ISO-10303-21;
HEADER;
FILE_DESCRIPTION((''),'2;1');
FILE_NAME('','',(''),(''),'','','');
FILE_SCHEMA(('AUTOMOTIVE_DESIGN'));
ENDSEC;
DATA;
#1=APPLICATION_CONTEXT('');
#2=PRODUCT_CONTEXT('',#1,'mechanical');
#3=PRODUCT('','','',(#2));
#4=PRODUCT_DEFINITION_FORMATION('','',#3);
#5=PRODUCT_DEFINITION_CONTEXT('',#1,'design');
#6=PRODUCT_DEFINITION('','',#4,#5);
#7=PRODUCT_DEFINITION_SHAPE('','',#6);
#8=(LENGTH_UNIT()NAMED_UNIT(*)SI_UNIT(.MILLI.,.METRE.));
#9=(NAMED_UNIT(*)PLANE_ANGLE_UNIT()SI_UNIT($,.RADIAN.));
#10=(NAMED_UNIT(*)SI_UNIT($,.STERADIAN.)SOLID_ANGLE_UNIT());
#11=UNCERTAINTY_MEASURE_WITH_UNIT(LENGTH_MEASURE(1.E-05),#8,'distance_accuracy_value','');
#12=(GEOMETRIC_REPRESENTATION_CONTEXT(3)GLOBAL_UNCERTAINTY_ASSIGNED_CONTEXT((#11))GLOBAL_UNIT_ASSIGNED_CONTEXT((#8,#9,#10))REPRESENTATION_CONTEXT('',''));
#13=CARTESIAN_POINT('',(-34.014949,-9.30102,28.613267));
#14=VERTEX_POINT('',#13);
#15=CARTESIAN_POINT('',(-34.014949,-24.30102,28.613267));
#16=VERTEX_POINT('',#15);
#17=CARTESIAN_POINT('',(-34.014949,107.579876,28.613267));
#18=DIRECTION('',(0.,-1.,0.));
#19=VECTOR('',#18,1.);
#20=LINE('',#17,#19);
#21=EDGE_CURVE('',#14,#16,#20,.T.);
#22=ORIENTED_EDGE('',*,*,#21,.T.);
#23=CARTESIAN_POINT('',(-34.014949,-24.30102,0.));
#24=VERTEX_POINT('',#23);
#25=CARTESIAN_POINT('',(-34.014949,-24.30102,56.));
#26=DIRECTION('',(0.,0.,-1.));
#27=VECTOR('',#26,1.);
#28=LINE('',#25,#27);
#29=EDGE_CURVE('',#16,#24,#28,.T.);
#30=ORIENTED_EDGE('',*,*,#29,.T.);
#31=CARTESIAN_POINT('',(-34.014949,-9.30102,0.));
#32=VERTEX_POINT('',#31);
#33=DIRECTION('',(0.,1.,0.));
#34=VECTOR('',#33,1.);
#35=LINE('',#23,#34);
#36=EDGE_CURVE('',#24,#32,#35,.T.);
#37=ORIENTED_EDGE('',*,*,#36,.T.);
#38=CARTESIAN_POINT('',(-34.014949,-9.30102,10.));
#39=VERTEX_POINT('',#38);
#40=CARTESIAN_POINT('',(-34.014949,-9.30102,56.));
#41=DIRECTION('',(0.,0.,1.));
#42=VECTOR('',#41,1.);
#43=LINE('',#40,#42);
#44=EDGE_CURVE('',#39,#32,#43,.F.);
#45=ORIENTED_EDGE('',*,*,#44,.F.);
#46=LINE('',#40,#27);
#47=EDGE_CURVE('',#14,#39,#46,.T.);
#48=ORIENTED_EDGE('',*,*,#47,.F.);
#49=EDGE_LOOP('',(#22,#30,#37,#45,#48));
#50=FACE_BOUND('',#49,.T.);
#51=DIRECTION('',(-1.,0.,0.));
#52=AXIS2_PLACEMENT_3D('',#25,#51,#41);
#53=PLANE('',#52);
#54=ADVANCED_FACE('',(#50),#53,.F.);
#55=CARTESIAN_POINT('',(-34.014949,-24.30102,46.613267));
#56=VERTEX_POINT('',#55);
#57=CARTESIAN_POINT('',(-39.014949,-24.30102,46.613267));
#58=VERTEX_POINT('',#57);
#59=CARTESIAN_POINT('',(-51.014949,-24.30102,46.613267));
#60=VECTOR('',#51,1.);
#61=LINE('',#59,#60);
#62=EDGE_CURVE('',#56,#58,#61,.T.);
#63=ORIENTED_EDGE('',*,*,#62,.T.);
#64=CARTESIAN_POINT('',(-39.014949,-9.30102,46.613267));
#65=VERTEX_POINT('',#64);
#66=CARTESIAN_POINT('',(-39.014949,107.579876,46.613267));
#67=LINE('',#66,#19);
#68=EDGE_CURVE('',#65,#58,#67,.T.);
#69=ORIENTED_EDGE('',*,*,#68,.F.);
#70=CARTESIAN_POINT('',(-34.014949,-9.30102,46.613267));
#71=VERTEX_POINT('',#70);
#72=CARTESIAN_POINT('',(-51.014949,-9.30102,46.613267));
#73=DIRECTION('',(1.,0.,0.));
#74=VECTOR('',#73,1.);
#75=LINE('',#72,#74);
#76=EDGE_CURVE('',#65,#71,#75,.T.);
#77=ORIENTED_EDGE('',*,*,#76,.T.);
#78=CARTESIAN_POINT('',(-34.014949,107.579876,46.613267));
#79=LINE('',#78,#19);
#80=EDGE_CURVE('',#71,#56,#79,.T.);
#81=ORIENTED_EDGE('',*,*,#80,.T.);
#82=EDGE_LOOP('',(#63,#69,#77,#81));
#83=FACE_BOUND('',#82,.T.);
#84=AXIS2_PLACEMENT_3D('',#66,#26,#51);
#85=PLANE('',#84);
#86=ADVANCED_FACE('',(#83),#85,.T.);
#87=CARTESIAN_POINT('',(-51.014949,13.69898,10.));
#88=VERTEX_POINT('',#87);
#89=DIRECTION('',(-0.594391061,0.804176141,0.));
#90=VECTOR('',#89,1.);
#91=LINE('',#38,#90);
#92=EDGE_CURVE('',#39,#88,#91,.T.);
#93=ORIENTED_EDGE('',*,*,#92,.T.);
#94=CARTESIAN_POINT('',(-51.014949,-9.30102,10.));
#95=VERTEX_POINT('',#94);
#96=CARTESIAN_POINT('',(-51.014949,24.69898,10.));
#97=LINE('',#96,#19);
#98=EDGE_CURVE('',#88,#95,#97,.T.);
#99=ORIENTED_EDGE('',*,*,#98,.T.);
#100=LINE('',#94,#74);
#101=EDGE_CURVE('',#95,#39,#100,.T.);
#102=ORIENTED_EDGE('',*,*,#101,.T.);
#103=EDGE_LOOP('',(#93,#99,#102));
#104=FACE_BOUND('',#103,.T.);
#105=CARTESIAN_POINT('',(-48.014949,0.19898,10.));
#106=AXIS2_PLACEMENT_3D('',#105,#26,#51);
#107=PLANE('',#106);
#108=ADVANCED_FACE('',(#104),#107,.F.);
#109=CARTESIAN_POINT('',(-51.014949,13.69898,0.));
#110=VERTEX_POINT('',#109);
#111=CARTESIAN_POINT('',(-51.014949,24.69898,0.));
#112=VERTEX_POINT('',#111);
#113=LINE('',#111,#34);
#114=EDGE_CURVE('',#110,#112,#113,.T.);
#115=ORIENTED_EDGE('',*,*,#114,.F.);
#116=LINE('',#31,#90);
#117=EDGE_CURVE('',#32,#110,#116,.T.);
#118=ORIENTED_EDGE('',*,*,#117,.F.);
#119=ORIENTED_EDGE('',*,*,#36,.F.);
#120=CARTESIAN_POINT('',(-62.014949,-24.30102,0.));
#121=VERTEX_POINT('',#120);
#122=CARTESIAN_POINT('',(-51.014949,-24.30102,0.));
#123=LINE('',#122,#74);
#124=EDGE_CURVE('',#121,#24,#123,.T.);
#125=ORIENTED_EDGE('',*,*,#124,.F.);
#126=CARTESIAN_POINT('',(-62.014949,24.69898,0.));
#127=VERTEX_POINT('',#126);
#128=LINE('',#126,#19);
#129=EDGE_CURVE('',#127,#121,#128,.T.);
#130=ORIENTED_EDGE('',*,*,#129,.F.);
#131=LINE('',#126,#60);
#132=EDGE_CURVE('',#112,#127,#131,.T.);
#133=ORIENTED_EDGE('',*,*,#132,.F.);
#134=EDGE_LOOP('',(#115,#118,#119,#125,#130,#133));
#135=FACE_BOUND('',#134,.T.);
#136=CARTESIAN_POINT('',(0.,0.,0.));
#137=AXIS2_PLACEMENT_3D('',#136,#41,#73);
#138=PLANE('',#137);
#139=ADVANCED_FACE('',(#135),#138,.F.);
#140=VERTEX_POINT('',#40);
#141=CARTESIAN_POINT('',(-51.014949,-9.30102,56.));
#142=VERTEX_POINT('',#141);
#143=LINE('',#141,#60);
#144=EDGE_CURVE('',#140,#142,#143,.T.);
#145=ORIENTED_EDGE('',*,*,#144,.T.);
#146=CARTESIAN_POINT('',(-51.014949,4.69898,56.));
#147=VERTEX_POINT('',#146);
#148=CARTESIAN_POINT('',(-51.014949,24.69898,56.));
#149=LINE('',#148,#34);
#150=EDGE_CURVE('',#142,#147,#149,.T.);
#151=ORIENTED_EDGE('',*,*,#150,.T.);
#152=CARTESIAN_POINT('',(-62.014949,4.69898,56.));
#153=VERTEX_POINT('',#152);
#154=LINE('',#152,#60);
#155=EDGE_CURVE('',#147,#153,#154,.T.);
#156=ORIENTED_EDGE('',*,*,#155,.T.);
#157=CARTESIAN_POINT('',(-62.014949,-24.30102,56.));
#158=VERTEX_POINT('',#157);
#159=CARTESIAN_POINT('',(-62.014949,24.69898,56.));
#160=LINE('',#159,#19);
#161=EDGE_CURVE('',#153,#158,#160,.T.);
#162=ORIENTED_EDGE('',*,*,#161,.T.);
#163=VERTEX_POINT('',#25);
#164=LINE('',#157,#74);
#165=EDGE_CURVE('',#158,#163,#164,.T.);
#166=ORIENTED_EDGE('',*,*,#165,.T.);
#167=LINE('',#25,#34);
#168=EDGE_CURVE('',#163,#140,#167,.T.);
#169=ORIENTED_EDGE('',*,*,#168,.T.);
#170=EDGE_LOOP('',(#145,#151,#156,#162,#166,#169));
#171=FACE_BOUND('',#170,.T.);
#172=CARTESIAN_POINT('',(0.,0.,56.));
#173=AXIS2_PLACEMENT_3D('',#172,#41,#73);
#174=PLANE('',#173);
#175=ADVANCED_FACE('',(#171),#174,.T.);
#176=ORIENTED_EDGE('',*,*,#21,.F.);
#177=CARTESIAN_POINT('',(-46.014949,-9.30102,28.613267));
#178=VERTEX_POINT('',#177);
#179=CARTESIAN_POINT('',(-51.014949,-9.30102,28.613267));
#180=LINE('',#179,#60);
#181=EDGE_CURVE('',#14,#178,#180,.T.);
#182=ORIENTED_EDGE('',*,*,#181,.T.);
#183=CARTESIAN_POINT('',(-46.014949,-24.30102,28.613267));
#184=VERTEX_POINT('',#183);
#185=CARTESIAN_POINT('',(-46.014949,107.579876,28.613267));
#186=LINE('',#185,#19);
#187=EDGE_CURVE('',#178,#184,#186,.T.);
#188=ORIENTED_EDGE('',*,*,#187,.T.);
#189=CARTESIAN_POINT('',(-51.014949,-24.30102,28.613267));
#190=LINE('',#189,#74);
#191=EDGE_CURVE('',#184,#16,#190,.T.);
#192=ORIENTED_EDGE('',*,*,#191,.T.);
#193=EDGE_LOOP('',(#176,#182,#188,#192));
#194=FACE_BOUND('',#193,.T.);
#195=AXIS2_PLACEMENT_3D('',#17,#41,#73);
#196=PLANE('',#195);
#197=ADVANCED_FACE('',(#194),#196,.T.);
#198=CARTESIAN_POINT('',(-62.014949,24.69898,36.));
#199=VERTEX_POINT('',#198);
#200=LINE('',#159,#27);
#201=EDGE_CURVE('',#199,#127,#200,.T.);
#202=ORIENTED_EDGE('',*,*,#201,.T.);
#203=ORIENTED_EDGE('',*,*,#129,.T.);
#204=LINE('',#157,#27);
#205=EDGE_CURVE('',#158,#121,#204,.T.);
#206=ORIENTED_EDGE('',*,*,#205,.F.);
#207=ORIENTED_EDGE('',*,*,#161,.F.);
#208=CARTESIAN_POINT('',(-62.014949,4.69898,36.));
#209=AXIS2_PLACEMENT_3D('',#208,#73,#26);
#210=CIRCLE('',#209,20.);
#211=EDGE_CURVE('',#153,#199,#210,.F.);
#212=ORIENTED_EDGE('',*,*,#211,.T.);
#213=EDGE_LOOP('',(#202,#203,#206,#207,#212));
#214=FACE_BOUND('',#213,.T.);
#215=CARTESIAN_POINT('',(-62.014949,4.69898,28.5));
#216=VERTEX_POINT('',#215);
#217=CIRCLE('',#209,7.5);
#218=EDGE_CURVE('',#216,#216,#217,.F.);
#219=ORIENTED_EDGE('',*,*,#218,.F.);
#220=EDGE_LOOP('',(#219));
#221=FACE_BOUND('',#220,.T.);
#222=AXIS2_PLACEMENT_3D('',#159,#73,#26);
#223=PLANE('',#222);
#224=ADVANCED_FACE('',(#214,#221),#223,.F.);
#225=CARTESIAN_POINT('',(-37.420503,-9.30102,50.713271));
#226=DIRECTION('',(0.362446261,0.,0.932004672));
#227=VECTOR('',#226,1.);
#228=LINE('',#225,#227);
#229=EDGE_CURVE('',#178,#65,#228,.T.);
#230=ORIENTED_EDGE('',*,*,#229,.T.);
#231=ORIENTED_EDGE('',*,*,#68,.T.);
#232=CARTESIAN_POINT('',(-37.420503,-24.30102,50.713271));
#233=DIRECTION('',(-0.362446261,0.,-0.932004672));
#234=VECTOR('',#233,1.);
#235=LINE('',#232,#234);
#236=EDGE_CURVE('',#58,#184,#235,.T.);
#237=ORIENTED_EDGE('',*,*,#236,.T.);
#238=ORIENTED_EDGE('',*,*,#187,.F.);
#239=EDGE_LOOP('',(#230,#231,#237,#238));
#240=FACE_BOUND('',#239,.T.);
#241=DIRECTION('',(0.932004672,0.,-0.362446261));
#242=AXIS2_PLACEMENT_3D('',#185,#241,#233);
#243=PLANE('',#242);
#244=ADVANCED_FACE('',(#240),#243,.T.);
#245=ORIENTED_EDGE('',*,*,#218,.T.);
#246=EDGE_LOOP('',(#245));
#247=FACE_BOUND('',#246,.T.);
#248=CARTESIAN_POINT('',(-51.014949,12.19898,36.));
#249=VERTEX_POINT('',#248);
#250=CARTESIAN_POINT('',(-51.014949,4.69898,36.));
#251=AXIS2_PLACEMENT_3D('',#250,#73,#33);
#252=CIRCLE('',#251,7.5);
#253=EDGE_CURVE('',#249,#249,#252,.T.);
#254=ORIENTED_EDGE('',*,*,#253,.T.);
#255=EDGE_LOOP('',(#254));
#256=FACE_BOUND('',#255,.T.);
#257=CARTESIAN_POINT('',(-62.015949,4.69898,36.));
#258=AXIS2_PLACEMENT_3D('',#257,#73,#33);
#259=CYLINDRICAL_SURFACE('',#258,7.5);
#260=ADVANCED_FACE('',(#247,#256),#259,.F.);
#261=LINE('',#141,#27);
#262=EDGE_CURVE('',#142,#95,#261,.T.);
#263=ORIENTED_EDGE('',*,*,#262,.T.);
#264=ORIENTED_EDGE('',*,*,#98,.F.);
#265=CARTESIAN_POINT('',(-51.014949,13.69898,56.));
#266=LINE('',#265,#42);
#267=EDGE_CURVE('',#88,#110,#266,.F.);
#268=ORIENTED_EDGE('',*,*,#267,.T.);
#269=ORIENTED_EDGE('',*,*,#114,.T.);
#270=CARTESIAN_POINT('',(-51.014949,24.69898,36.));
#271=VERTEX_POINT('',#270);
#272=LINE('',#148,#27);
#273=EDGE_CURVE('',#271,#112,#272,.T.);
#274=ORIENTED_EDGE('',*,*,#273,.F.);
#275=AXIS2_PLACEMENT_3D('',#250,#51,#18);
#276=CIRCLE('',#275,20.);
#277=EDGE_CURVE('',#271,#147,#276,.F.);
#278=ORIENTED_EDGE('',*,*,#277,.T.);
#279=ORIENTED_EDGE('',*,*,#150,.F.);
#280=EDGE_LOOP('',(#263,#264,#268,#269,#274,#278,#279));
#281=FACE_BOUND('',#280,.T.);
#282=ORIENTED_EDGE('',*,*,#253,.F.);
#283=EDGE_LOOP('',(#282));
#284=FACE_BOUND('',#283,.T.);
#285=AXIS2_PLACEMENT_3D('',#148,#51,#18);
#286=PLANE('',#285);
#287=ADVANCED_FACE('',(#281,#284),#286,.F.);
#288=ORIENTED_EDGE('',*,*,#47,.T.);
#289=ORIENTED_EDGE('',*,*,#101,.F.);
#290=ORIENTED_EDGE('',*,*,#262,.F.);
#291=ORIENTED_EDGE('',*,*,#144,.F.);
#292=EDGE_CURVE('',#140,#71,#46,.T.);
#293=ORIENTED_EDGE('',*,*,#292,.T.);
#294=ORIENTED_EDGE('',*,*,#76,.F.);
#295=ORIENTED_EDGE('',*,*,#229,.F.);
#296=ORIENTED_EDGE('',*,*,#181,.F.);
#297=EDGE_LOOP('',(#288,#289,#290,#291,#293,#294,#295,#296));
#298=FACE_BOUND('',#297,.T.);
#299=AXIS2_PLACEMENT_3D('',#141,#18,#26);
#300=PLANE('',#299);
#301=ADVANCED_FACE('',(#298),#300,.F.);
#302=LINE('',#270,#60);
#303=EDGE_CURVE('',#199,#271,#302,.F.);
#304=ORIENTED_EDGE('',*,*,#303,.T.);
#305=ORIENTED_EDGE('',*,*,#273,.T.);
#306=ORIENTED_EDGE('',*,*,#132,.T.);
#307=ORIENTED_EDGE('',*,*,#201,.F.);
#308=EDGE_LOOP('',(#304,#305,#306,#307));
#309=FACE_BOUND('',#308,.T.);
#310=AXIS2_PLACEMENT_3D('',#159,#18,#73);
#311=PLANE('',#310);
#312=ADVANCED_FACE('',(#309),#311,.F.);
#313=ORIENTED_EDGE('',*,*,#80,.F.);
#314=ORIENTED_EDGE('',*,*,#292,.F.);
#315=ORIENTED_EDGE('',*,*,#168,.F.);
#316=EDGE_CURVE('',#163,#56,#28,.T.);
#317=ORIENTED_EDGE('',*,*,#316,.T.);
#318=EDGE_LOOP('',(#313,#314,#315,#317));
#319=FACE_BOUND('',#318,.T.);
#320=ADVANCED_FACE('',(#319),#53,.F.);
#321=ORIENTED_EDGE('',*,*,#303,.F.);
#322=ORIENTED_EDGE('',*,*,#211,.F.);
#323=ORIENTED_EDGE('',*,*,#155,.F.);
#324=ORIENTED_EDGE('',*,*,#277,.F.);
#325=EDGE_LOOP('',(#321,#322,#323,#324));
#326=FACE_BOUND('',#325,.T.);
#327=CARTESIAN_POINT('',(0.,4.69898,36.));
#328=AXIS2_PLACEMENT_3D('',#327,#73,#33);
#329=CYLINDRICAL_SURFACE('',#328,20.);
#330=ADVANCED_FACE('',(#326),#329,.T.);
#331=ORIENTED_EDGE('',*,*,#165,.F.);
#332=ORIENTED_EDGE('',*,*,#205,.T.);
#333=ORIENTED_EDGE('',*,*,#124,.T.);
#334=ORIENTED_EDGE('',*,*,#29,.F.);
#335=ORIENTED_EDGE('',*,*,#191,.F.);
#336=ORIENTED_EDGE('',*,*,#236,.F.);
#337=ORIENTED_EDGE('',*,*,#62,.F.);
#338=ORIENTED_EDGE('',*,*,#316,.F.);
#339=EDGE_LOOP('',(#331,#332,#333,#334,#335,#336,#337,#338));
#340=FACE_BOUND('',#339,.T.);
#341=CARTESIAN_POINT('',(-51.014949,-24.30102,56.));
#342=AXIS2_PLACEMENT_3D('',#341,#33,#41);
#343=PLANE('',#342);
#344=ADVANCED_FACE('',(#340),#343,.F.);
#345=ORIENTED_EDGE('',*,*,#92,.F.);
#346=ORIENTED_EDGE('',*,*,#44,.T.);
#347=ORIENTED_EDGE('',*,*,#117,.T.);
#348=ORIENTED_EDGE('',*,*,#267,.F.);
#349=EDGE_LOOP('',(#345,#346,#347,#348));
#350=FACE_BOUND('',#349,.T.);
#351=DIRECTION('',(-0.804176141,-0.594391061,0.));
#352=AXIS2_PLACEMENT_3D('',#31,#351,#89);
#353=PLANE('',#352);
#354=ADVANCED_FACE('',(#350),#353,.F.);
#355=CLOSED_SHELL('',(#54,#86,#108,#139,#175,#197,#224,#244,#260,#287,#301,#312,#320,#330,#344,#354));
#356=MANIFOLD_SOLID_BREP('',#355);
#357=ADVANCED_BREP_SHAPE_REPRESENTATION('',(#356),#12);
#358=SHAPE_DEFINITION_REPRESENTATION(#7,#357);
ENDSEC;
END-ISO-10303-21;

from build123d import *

# Parameters (mm, degrees)
Y_KSEKLIK_EKSTR_ZYON1_DEPTH = 56
RADYUS1_R                   = 20
KES_EKSTR_ZYON1_REACH       = 65.522
IZIM2_R                     = 7.5
KES_EKSTR_ZYON2_DEPTH       = 91.210054598
KES_EKSTR_ZYON2_DEPTH_BACK  = 91.210054598
FEDER1_REACH                = 89.131
IZIM4_WALL_W                = 204.86364479
IZIM4_WALL_H                = 10


with BuildPart() as part:
    # Çizim1 → Yükseklik-Ekstrüzyon1 (new body)
    with BuildSketch(Plane.XY):
        Polygon((-62.014949412, 24.698979592), (-51.014949412, 24.698979592), (-51.014949412, -9.301020408), (-34.014949412, -9.301020408), (-34.014949412, -24.301020408), (-51.014949412, -24.301020408), (-62.014949412, -24.301020408), align=None)
    extrude(amount=Y_KSEKLIK_EKSTR_ZYON1_DEPTH)

    # Radyus1
    radyus1_edges = [part.edges().sort_by_distance(p)[0] for p in [
        (-56.514949412, 24.698979592, 56),
    ]]
    fillet(radyus1_edges, radius=RADYUS1_R)

    # Çizim2 → Kes-Ekstrüzyon1 (cut, up to next)
    with BuildSketch(Plane(origin=(-51.014949412, 0, 0), x_dir=(0, 0, -1), z_dir=(1, 0, 0)), mode=Mode.PRIVATE) as kes_ekstr_zyon1_sk1:
        with Locations(Location((-36, 4.698979592, 0), (0, 0, 90))):
            Circle(IZIM2_R)
    kes_ekstr_zyon1_tool1 = extrude(kes_ekstr_zyon1_sk1.sketch, amount=-KES_EKSTR_ZYON1_REACH, mode=Mode.PRIVATE) & part.part
    add(kes_ekstr_zyon1_tool1.solids().sort_by_distance((-51.014949, 4.69898, 36))[0], mode=Mode.SUBTRACT)

    # Çizim3 → Kes-Ekstrüzyon2 (cut, two sides: drawn at the far end of the back side and taken through both)
    with BuildSketch(Plane(origin=(0, -9.301020408, 0), x_dir=(1, 0, 0), z_dir=(0, 1, 0)).offset(-KES_EKSTR_ZYON2_DEPTH_BACK)):
        Polygon((84.737919905, -28.613266847), (-34.014949412, -28.613266847), (-46.014949412, -28.613266847), (-39.014949412, -46.613266847), (-34.014949412, -46.613266847), (84.737919905, -46.613266847), (322.24365854, -46.613266847), (322.24365854, -28.613266847), align=None)
    extrude(amount=KES_EKSTR_ZYON2_DEPTH + KES_EKSTR_ZYON2_DEPTH_BACK, mode=Mode.SUBTRACT)

    # Çizim4 wall → Feder1 (add, up to next)
    with BuildSketch(Plane(origin=(-42.514949412, 2.198979592, 0), x_dir=(-0.594391061084, 0.804176141466, 0), z_dir=(0.804176141466, 0.594391061084, 0)), mode=Mode.PRIVATE) as feder1_sk1:
        with Locations((0, 5)):
            Rectangle(IZIM4_WALL_W, IZIM4_WALL_H)
    feder1_tool1 = extrude(feder1_sk1.sketch, amount=-FEDER1_REACH, mode=Mode.PRIVATE) - part.part
    add(feder1_tool1.solids().sort_by_distance((-42.514949412, 2.198979592, 0))[0])


solid = part.part
